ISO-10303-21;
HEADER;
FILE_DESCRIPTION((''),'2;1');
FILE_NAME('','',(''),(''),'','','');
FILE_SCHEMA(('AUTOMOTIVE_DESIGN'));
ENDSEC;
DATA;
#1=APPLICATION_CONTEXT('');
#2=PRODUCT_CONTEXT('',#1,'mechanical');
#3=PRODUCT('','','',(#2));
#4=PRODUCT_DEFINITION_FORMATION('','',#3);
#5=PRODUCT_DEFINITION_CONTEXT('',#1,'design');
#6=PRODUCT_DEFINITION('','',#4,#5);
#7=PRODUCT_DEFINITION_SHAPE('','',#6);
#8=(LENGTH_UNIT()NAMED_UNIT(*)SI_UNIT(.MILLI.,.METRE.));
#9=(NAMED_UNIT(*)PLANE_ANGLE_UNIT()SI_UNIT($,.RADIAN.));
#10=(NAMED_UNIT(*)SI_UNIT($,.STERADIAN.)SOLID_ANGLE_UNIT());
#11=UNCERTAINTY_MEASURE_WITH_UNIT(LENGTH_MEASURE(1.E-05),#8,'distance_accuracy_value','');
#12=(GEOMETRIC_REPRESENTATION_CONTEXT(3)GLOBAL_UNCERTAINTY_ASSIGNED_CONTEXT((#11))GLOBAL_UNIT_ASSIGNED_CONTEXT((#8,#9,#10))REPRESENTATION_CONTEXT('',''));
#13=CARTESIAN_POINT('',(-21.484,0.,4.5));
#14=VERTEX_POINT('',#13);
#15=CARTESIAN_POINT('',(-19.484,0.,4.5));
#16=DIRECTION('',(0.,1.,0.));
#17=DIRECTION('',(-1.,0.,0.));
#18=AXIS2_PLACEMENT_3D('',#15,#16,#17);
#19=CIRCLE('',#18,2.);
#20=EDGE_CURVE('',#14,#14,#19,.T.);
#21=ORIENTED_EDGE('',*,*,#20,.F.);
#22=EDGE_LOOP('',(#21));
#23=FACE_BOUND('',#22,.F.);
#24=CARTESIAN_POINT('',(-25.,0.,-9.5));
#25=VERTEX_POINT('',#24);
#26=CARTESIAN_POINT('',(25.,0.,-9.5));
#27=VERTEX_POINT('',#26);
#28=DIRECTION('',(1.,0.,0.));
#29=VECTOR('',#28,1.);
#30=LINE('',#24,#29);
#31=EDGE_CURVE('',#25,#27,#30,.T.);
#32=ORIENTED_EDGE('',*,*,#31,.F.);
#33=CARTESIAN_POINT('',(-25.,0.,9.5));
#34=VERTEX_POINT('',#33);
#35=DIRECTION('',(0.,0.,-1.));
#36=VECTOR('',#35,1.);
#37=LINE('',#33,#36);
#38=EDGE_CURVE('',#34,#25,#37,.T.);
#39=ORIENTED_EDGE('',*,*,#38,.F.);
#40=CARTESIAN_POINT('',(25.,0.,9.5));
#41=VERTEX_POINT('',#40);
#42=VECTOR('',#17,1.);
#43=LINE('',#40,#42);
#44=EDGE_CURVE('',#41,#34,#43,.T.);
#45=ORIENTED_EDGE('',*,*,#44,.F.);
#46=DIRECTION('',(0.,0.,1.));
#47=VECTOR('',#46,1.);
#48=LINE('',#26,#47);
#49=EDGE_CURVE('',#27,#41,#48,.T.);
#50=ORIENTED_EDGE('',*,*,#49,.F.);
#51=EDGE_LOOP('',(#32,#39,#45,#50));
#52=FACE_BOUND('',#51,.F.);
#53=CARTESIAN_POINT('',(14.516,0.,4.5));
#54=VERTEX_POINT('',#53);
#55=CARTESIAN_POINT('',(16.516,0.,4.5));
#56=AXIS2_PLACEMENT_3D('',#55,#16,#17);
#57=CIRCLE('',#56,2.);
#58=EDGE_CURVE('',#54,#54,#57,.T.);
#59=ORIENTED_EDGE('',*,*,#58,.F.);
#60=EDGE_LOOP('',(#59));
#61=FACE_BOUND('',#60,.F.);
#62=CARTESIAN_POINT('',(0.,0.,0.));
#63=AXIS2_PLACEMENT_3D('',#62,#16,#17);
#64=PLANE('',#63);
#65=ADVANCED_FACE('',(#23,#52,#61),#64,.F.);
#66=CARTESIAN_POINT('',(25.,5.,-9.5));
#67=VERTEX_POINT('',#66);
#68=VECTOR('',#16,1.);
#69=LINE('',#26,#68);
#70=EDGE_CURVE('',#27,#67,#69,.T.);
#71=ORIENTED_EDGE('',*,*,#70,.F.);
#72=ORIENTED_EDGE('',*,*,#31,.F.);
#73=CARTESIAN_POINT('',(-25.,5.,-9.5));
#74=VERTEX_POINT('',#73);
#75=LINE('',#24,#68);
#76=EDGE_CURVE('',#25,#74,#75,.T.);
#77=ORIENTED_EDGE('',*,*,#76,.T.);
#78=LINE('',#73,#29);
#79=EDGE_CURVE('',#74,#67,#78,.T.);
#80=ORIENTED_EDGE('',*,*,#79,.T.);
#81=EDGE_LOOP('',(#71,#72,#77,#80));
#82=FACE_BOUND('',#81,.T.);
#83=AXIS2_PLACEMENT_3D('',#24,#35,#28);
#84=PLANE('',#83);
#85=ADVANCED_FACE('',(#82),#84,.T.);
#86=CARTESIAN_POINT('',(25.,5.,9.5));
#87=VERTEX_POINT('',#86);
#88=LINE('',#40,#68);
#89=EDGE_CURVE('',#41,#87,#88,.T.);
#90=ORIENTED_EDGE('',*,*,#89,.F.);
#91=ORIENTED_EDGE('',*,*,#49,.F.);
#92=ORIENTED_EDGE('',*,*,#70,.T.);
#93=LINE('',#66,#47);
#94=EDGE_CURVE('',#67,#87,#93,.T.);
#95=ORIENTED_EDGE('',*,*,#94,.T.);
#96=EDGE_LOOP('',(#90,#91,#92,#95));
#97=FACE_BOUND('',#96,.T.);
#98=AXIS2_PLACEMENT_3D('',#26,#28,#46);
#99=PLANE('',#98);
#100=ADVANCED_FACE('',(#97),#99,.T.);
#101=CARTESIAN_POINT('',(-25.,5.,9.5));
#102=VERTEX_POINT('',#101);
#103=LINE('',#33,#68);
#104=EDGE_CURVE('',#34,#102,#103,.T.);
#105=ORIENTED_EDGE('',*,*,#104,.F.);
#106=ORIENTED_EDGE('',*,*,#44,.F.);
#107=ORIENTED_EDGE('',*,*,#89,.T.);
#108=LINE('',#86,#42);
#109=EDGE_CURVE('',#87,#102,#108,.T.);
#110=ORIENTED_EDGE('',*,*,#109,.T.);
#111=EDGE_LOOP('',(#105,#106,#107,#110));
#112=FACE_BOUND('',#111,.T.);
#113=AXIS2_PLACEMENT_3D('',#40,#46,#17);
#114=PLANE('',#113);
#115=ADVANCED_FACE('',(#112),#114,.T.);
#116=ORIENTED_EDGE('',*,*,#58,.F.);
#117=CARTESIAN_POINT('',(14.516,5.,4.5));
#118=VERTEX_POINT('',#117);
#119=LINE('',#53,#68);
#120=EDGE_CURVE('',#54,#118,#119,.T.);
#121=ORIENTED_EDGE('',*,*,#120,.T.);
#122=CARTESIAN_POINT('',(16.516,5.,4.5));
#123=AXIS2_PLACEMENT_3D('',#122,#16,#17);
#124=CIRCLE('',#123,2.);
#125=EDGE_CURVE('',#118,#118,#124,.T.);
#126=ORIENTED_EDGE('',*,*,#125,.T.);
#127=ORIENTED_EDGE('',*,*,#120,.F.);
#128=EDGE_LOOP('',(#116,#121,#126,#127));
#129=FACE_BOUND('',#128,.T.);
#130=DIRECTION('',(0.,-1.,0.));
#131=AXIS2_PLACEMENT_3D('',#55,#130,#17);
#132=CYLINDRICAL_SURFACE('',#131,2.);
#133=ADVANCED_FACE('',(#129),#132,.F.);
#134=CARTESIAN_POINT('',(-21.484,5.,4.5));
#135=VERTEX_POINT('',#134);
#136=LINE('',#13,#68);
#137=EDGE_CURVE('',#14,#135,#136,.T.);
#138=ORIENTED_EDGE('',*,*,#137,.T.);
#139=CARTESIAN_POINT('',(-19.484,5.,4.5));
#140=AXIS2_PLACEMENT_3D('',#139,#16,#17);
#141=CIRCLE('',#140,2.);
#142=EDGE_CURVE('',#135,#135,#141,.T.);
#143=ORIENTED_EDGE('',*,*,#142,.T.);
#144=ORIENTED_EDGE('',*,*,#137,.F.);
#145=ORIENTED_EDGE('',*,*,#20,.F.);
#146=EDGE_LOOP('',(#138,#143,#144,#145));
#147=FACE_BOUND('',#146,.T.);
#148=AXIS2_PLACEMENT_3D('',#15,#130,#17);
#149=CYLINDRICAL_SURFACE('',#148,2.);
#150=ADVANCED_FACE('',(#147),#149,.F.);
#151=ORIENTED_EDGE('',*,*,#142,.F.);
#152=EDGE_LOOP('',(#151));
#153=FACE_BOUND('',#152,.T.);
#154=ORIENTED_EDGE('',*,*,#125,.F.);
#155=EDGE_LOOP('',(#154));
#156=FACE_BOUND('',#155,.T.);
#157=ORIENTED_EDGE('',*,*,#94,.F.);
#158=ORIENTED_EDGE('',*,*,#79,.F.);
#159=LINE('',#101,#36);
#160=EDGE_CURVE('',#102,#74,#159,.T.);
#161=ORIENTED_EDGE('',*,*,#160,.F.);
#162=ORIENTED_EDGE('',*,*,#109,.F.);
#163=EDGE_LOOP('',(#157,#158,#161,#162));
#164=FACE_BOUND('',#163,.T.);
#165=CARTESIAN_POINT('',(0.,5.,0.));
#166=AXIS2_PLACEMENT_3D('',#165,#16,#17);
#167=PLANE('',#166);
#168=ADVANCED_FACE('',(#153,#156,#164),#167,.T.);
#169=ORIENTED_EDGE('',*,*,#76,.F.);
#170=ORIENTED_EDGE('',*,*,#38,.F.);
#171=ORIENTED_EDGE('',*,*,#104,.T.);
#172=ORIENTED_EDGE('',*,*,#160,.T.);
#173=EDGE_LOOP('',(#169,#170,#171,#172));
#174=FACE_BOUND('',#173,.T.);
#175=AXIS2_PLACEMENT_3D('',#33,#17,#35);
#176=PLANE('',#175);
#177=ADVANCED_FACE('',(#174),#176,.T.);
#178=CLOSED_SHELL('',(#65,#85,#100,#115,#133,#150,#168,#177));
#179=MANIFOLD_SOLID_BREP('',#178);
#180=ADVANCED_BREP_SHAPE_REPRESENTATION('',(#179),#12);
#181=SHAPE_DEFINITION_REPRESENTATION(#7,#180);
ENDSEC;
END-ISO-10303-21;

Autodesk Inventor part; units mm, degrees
ref_plane "YZ Plane" through (0, 0, 0) normal (1, 0, 0) x (0, 1, 0)
ref_plane "XZ Plane" through (0, 0, 0) normal (0, 1, 0) x (-1, 0, 0)
ref_plane "XY Plane" through (0, 0, 0) normal (0, 0, 1) x (1, 0, 0)
sketch "Sketch1" plane through (0, 0, 0) normal (0, 1, 0) x (-1, 0, 0)
  line L0 (-25, 9.5) -> (25, 9.5)
  line L1 (25, 9.5) -> (25, -9.5)
  line L2 (25, -9.5) -> (-25, -9.5)
  line L3 (-25, -9.5) -> (-25, 9.5)
  line L4 (-25, 9.5) -> (25, -9.5) construction
  line L5 (25, 9.5) -> (-25, -9.5) construction
  circle A0 centre (19.484, 4.5) radius 2
  circle A1 centre (-16.516, 4.5) radius 2
  point P0 (0, 0)
  dimension "d0" = 50
  dimension "d1" = 19
  dimension "d2" = 4
  dimension "d3" = 4
  dimension "d4" = 36
  dimension "d5" = 5
extrude "Extrusion1" add sketch "Sketch1" along normal blind 5
properties part number "Fuhrungschiene"
